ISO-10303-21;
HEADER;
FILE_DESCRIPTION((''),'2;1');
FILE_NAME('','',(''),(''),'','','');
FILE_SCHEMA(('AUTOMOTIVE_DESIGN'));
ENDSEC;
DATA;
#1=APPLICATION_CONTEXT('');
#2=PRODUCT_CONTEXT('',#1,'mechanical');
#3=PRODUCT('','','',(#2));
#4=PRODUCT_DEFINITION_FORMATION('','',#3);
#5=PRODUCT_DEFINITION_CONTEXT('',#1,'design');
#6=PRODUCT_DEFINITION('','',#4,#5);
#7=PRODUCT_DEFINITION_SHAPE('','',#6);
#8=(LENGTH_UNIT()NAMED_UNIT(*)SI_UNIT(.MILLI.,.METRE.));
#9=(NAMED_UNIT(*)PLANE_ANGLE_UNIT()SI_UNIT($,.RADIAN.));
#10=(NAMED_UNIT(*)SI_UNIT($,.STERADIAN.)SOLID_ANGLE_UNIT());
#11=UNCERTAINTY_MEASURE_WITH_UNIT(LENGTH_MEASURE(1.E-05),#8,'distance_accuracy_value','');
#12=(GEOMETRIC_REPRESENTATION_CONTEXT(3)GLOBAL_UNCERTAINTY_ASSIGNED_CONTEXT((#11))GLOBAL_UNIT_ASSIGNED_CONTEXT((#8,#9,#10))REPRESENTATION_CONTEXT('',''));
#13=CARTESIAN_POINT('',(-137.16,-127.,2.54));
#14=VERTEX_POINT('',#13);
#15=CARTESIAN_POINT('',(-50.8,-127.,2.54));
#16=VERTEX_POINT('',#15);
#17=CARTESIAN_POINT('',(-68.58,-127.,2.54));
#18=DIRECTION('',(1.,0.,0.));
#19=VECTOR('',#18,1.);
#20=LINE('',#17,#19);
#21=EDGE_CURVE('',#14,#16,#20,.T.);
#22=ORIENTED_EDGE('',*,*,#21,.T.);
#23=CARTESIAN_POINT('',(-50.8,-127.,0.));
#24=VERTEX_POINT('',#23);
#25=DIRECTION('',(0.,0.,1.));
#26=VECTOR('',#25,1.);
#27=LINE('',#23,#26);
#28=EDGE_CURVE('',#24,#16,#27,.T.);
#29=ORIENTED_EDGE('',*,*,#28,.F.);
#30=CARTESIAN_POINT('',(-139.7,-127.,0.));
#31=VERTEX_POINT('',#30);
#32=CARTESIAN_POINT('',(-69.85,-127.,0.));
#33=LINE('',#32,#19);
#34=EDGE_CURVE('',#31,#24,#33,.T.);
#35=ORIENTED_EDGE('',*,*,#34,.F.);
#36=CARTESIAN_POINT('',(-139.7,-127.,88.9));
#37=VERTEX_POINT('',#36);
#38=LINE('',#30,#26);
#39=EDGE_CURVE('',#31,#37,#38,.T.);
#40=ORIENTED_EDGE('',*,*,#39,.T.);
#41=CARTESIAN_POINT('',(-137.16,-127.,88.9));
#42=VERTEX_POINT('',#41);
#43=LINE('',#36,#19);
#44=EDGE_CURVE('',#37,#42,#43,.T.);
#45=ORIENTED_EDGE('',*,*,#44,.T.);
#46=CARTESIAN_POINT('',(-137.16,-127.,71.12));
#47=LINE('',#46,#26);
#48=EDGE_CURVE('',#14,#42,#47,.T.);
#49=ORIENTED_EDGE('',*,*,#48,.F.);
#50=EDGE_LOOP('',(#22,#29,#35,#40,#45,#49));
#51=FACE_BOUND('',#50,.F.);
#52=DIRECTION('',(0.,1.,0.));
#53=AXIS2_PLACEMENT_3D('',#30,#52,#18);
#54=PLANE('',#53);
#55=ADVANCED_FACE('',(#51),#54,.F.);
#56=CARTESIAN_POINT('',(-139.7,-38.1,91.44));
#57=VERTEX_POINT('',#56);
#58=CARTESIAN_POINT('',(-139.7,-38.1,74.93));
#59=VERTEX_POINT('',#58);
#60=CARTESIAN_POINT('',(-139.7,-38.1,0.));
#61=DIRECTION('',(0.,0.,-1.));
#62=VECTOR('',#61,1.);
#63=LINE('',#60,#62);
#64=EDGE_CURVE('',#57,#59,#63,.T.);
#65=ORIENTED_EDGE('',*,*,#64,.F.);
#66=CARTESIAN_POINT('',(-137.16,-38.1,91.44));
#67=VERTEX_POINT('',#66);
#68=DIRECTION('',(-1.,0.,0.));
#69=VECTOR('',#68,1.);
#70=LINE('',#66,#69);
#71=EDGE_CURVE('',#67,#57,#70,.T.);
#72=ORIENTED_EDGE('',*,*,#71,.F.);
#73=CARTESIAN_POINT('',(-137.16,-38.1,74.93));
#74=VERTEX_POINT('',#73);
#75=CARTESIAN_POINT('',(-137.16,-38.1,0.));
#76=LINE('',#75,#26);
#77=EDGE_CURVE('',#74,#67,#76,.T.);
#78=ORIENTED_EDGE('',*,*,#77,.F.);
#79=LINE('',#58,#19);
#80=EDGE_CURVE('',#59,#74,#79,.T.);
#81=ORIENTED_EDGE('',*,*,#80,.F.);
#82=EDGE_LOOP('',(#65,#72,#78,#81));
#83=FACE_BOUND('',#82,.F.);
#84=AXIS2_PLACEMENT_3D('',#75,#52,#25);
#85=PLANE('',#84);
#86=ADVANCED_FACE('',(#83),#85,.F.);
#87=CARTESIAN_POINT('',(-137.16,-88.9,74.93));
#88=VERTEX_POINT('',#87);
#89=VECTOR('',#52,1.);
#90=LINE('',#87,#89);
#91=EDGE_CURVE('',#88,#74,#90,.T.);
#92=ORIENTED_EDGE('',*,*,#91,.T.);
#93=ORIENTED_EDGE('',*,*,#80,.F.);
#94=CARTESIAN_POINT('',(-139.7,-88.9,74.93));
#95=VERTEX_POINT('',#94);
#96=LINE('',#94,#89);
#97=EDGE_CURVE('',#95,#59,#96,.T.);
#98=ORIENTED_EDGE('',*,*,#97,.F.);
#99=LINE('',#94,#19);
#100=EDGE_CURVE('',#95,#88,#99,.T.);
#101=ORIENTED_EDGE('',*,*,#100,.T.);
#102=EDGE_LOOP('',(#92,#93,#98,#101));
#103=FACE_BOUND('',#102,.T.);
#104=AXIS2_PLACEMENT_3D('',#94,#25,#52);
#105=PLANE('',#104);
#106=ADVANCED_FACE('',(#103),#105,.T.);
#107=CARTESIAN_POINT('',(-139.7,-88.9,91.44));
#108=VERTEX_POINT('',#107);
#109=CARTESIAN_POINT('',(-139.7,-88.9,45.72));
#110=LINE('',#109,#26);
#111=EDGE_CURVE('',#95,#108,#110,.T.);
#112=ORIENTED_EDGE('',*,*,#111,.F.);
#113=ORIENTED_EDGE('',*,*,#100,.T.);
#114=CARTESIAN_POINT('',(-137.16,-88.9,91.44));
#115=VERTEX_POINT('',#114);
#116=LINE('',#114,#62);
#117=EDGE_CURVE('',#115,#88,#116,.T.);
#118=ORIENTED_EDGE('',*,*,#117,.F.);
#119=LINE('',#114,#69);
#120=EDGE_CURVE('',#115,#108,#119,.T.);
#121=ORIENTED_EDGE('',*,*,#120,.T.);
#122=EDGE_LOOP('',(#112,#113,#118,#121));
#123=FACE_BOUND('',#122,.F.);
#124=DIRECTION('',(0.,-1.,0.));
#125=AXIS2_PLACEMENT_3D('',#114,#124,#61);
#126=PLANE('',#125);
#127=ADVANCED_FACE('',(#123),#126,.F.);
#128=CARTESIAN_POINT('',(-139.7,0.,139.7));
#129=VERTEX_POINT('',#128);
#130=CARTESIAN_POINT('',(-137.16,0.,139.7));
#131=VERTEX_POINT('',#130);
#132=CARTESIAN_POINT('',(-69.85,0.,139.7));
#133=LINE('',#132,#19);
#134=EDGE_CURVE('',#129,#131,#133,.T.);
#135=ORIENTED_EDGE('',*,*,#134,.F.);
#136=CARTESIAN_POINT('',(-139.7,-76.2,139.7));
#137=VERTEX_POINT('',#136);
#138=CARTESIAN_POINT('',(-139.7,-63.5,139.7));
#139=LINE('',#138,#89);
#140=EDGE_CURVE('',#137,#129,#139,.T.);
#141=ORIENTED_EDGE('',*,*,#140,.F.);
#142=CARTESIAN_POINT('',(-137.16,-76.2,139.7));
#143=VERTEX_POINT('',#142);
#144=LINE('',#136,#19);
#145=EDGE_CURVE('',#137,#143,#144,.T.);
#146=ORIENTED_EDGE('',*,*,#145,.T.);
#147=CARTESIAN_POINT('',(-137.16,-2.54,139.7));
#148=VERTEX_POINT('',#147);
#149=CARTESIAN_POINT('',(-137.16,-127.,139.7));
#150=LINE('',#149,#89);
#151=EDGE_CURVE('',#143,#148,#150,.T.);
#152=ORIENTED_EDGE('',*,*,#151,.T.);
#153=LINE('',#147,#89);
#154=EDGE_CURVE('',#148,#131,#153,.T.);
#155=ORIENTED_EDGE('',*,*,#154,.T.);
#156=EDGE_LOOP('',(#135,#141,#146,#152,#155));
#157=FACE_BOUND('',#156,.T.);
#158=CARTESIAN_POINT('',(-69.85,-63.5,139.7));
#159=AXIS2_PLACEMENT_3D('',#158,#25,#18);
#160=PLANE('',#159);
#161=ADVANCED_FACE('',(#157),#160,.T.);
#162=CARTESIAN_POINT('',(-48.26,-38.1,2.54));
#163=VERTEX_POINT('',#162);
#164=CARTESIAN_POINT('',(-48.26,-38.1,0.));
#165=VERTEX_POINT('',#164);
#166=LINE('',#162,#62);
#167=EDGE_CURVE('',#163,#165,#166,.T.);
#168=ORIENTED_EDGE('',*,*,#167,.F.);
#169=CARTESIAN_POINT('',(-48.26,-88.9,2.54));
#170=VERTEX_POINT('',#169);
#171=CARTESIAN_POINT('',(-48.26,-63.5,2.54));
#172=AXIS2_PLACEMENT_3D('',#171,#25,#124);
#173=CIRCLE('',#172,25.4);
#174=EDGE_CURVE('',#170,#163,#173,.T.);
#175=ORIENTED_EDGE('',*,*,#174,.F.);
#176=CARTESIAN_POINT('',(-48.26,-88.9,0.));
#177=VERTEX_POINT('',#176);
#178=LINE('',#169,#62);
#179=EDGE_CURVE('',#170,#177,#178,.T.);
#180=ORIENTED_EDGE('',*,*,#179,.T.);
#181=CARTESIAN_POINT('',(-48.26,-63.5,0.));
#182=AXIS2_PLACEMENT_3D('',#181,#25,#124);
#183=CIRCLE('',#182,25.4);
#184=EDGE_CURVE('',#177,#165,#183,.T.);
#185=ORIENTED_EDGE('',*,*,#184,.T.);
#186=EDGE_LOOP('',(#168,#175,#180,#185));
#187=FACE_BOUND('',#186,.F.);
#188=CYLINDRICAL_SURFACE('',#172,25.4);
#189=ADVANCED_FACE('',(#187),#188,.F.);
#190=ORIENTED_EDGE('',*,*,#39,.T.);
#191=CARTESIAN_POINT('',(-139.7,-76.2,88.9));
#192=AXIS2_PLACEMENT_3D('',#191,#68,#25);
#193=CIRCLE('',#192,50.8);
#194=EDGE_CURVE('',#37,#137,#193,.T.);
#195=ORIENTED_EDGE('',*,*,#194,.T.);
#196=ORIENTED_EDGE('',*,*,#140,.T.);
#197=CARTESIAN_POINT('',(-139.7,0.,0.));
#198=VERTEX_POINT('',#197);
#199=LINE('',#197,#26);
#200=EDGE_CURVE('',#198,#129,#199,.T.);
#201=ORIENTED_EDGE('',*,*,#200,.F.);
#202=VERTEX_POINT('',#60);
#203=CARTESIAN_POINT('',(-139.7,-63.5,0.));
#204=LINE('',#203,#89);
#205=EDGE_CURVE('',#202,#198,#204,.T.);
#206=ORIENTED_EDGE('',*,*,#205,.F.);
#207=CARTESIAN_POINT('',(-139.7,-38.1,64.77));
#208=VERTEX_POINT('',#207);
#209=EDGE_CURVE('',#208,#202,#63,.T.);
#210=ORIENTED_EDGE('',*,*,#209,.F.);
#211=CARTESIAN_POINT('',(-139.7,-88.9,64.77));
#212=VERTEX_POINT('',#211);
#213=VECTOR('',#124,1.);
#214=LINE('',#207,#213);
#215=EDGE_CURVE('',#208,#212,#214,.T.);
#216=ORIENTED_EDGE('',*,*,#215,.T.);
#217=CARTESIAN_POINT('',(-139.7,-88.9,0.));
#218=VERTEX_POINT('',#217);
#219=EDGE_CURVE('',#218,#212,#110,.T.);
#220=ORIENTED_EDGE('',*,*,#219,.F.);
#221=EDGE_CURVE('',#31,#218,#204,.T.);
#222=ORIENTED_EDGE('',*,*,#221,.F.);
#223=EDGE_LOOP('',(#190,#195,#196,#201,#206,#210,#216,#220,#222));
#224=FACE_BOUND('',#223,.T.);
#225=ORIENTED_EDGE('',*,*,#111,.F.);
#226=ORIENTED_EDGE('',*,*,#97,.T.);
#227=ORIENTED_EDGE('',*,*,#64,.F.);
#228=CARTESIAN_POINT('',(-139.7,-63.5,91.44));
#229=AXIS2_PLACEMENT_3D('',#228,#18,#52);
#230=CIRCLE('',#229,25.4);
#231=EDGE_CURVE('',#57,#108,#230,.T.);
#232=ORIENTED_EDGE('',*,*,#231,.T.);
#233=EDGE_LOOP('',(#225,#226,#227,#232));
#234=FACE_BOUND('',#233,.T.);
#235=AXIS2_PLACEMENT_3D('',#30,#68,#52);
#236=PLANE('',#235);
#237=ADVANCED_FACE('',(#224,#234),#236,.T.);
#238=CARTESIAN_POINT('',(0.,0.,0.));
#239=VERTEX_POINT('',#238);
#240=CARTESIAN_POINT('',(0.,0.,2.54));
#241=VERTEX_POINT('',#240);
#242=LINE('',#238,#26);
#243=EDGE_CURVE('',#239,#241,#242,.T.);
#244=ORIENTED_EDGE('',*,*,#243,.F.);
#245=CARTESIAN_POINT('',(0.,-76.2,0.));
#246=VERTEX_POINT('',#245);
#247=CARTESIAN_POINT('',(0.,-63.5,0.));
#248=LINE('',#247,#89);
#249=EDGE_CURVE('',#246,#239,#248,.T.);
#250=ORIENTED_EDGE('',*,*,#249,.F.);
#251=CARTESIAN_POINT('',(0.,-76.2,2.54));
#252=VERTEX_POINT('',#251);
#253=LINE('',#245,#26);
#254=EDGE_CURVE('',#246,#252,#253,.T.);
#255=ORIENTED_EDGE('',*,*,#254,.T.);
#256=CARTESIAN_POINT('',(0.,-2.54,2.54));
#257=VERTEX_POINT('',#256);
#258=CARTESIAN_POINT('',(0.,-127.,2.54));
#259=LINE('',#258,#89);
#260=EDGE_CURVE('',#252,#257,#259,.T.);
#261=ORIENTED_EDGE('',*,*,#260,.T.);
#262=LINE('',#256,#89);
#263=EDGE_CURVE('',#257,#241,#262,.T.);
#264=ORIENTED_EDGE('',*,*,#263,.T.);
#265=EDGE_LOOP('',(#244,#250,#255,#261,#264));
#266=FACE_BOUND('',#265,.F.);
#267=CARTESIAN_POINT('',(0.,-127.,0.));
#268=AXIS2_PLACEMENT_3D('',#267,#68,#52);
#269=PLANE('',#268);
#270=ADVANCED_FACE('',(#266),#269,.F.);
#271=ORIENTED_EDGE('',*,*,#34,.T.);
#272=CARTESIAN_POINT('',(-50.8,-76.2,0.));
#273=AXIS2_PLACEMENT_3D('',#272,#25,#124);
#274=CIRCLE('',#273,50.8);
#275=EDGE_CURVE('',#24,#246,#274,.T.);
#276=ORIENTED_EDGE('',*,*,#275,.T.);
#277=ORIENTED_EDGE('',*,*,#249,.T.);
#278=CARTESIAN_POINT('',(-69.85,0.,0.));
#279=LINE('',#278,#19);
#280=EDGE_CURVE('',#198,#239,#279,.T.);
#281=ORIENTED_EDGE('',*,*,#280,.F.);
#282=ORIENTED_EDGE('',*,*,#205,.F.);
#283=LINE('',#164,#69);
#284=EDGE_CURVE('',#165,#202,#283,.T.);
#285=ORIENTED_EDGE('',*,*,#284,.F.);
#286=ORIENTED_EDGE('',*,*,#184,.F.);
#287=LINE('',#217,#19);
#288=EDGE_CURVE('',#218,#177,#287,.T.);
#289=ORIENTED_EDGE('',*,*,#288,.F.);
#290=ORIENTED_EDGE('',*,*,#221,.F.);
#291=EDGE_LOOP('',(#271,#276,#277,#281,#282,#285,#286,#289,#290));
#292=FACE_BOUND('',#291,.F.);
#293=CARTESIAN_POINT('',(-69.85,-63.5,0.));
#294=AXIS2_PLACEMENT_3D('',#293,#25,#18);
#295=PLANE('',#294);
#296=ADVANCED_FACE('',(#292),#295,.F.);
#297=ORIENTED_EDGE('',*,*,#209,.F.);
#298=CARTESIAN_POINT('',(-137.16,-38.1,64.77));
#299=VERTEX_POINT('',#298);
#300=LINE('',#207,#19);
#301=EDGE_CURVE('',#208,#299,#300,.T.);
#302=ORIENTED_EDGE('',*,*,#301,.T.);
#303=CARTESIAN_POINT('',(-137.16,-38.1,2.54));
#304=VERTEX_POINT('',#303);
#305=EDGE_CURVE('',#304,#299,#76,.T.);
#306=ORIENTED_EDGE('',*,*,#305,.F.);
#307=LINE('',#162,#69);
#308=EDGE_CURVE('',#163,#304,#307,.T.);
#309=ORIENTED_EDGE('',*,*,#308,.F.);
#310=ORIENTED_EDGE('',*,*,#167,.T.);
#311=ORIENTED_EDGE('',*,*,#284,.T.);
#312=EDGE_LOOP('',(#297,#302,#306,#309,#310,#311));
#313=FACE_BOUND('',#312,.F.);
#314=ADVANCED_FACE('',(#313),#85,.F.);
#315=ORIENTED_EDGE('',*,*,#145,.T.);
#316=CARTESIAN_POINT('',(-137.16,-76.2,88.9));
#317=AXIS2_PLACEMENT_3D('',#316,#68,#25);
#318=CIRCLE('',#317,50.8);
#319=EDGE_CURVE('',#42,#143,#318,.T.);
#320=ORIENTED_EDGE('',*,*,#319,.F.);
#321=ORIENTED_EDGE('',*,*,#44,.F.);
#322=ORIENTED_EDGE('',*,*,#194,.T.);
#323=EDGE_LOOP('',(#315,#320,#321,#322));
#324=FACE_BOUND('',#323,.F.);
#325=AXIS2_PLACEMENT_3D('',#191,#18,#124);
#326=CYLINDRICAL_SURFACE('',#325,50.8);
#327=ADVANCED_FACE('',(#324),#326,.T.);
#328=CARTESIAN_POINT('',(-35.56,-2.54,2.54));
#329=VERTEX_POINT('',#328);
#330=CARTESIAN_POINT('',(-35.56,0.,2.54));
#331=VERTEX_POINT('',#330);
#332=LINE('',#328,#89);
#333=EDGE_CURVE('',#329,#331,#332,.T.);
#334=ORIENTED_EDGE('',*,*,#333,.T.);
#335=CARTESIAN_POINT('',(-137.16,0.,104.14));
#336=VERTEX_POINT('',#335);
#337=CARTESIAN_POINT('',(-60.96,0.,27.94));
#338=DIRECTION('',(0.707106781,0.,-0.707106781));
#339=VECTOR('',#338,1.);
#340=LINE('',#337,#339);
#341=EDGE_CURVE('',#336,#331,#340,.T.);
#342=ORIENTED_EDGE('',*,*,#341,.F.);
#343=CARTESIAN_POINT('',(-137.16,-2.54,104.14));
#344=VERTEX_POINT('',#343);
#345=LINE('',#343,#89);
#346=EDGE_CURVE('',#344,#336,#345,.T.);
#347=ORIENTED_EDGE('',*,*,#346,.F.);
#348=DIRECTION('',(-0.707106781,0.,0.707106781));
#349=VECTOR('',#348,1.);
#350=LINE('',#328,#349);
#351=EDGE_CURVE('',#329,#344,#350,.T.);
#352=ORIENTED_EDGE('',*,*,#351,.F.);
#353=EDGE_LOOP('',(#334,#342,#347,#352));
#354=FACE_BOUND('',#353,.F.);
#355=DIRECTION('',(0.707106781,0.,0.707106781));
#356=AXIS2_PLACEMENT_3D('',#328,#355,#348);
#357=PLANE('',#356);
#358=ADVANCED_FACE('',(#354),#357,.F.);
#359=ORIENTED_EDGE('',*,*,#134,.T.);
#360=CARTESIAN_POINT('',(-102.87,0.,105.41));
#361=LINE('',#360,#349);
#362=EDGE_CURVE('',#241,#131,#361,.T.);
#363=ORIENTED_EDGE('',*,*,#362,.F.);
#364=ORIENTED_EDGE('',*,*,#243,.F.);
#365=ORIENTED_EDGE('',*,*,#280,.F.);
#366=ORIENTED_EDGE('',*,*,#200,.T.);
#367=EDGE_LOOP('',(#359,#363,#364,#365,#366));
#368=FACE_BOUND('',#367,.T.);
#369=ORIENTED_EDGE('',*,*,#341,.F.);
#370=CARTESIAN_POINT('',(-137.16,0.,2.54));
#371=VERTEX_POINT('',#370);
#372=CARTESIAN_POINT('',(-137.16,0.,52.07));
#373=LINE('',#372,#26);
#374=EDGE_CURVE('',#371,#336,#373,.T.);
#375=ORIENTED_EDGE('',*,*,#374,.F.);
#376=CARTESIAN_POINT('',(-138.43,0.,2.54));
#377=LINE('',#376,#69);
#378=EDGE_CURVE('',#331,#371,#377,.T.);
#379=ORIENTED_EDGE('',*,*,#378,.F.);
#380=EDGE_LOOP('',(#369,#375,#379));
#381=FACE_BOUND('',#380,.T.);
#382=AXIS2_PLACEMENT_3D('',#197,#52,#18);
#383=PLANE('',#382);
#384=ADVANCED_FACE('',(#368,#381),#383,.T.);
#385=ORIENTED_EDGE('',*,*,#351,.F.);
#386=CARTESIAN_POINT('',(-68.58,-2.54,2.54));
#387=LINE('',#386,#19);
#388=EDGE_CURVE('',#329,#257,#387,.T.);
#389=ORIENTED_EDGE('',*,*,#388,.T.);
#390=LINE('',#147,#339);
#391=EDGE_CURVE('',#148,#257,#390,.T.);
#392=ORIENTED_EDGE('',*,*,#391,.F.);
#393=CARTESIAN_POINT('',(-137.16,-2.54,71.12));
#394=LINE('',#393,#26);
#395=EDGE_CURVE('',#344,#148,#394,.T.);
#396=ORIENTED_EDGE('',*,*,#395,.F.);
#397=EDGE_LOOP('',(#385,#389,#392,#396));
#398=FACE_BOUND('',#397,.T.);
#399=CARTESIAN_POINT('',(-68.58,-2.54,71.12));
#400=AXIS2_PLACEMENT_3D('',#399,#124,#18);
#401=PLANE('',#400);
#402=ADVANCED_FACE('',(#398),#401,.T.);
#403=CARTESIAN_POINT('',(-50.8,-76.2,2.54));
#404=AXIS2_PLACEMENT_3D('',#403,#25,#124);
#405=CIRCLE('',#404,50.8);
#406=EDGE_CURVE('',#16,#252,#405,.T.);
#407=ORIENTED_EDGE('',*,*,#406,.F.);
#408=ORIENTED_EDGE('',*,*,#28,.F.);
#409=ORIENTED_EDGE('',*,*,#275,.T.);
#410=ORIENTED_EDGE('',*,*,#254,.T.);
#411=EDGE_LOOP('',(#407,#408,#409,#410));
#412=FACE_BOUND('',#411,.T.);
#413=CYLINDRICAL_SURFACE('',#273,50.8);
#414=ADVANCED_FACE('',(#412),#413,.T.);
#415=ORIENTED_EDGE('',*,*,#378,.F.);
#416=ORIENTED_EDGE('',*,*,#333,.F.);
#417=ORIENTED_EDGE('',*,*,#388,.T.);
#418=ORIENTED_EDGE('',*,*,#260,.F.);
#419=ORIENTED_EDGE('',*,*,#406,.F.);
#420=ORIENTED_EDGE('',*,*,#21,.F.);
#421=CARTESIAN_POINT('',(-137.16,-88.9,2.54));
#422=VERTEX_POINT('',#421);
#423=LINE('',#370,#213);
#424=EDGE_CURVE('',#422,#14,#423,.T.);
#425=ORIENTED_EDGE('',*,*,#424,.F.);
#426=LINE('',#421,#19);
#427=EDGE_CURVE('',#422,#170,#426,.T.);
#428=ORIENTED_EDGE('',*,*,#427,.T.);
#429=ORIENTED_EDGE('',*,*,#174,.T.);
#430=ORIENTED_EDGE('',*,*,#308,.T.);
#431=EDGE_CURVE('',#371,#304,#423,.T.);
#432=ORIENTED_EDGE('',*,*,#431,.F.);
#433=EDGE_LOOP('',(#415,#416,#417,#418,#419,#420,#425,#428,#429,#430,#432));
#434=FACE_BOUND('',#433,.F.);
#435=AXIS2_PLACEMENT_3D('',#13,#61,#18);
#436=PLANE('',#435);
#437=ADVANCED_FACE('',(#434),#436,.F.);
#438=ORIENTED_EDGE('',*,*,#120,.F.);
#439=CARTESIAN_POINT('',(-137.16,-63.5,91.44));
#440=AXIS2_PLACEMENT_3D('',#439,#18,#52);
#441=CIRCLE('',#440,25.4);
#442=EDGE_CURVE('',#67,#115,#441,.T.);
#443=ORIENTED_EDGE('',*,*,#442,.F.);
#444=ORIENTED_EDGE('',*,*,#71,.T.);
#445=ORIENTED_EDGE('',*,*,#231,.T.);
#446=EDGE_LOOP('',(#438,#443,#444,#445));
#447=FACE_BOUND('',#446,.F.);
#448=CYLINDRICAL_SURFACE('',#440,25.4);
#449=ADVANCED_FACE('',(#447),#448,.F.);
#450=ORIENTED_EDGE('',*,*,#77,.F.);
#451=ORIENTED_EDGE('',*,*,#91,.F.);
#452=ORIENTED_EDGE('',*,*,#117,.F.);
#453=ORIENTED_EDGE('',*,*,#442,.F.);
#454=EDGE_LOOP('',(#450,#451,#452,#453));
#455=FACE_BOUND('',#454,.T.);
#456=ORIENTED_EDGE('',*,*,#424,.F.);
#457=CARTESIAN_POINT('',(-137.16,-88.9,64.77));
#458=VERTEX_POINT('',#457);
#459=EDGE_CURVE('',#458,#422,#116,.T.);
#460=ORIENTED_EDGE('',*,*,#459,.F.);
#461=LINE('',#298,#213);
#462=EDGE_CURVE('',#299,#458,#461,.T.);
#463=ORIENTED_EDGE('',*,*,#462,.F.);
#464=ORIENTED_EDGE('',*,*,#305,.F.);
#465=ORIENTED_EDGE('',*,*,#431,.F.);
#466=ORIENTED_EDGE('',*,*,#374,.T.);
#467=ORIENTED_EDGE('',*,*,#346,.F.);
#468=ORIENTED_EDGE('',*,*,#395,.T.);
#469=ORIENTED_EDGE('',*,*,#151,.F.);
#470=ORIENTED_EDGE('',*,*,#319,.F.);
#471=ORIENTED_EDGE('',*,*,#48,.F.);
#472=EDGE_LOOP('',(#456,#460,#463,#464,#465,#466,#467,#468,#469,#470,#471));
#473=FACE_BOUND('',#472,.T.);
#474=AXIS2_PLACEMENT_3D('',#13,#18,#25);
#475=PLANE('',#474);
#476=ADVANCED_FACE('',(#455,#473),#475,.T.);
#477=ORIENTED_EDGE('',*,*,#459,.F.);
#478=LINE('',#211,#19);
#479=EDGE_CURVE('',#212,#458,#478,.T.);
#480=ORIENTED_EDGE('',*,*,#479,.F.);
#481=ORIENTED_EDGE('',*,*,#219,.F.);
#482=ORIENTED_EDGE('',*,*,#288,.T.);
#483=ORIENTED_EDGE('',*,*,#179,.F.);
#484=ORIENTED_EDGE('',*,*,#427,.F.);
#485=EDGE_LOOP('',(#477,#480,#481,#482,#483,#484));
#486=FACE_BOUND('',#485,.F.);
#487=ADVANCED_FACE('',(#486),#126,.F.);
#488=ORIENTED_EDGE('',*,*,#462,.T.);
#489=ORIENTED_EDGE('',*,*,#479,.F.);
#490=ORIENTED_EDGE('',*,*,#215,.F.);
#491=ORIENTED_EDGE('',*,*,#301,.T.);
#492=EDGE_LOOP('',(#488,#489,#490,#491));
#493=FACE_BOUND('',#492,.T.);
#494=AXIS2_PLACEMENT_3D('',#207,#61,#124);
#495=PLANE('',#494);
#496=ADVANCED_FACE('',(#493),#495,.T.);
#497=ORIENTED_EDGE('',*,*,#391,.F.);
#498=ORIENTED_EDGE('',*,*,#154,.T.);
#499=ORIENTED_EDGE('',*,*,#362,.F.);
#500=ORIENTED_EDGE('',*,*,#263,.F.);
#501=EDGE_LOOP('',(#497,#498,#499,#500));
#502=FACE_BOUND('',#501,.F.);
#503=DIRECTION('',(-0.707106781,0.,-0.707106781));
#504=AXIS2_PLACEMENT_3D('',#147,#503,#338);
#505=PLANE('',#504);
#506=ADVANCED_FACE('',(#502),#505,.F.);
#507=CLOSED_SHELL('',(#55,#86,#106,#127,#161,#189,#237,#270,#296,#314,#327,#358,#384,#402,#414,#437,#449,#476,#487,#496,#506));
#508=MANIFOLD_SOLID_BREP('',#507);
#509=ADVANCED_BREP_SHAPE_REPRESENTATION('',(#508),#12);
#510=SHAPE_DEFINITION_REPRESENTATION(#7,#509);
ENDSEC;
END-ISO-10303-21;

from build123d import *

# Parameters (mm, degrees)
F0_W      = 139.7
F0_H      = 127
F1_DEPTH  = 139.7
F2_W      = 137.16
F2_H      = 137.16
F3_DEPTH  = 124.46
F5_DEPTH  = 25.4
F7_DEPTH  = 25.4
F9_DEPTH  = 25.4
F11_DEPTH = 25.4
F12_R     = 50.8
F14_DEPTH = 2.54


with BuildPart() as f1:
    # F0 (on Top) → F1 (new body)
    with BuildSketch(Plane.XY):
        with Locations((-69.85, -63.5)):
            Rectangle(F0_W, F0_H)
    extrude(amount=F1_DEPTH)

    # F2 (on face) → F3 (cut)
    with BuildSketch(Plane.XZ.offset(127)):
        with Locations((-68.58, 71.12)):
            Rectangle(F2_W, F2_H)
    extrude(amount=-F3_DEPTH, mode=Mode.SUBTRACT)

    # F4 (on face) → F5 (cut)
    with BuildSketch(Plane.XZ.offset(2.54)):
        Polygon((-6.9185560569, 178.2889813185), (-137.16, 139.7), (0, 2.54), (55.8031983674, 142.7505463362), align=None)
    extrude(amount=-F5_DEPTH, mode=Mode.SUBTRACT)

    # F6 (on face) → F7 (cut)
    with BuildSketch(Plane.XZ.offset(2.54)):
        Polygon((-137.16, 104.14), (-137.16, 2.54), (-35.56, 2.54), align=None)
    extrude(amount=-F7_DEPTH, mode=Mode.SUBTRACT)

    # F8 (on face) → F9 (cut)
    with BuildSketch(Plane.XY.offset(2.54)):
        with BuildLine():
            Line((-137.16, -38.1), (-137.16, -88.9))
            Line((-137.16, -88.9), (-48.26, -88.9))
            ThreePointArc((-48.26, -88.9), (-22.86, -63.5), (-48.26, -38.1))
            Line((-48.26, -38.1), (-137.16, -38.1))
        make_face()
    extrude(amount=-F9_DEPTH, mode=Mode.SUBTRACT)

    # F10 (on face) → F11 (cut)
    with BuildSketch(Plane.YZ.offset(-137.16)):
        with BuildLine():
            Line((-38.1, 0), (-38.1, 2.54))
            Line((-38.1, 2.54), (-38.1, 91.44))
            ThreePointArc((-38.1, 91.44), (-63.5, 116.84), (-88.9, 91.44))
            Line((-88.9, 91.44), (-88.9, 2.54))
            Line((-88.9, 2.54), (-88.9, 0))
            Line((-88.9, 0), (-38.1, 0))
        make_face()
    extrude(amount=-F11_DEPTH, mode=Mode.SUBTRACT)

    # F12
    f12_edges = [f1.edges().sort_by_distance(p)[0] for p in [
        (0, -127, 1.27),
        (-138.43, -127, 139.7),
    ]]
    fillet(f12_edges, radius=F12_R)

    # F13 (on face) → F14 (join)
    with BuildSketch(Plane(origin=(-139.7, 0, 0), x_dir=(0, -1, 0), z_dir=(-1, 0, 0))):
        Polygon((38.1, 74.93), (38.1, 69.85), (38.1, 64.77), (88.9, 64.77), (88.9, 69.85), (88.9, 74.93), align=None)
    extrude(amount=-F14_DEPTH)


solid = f1.part
